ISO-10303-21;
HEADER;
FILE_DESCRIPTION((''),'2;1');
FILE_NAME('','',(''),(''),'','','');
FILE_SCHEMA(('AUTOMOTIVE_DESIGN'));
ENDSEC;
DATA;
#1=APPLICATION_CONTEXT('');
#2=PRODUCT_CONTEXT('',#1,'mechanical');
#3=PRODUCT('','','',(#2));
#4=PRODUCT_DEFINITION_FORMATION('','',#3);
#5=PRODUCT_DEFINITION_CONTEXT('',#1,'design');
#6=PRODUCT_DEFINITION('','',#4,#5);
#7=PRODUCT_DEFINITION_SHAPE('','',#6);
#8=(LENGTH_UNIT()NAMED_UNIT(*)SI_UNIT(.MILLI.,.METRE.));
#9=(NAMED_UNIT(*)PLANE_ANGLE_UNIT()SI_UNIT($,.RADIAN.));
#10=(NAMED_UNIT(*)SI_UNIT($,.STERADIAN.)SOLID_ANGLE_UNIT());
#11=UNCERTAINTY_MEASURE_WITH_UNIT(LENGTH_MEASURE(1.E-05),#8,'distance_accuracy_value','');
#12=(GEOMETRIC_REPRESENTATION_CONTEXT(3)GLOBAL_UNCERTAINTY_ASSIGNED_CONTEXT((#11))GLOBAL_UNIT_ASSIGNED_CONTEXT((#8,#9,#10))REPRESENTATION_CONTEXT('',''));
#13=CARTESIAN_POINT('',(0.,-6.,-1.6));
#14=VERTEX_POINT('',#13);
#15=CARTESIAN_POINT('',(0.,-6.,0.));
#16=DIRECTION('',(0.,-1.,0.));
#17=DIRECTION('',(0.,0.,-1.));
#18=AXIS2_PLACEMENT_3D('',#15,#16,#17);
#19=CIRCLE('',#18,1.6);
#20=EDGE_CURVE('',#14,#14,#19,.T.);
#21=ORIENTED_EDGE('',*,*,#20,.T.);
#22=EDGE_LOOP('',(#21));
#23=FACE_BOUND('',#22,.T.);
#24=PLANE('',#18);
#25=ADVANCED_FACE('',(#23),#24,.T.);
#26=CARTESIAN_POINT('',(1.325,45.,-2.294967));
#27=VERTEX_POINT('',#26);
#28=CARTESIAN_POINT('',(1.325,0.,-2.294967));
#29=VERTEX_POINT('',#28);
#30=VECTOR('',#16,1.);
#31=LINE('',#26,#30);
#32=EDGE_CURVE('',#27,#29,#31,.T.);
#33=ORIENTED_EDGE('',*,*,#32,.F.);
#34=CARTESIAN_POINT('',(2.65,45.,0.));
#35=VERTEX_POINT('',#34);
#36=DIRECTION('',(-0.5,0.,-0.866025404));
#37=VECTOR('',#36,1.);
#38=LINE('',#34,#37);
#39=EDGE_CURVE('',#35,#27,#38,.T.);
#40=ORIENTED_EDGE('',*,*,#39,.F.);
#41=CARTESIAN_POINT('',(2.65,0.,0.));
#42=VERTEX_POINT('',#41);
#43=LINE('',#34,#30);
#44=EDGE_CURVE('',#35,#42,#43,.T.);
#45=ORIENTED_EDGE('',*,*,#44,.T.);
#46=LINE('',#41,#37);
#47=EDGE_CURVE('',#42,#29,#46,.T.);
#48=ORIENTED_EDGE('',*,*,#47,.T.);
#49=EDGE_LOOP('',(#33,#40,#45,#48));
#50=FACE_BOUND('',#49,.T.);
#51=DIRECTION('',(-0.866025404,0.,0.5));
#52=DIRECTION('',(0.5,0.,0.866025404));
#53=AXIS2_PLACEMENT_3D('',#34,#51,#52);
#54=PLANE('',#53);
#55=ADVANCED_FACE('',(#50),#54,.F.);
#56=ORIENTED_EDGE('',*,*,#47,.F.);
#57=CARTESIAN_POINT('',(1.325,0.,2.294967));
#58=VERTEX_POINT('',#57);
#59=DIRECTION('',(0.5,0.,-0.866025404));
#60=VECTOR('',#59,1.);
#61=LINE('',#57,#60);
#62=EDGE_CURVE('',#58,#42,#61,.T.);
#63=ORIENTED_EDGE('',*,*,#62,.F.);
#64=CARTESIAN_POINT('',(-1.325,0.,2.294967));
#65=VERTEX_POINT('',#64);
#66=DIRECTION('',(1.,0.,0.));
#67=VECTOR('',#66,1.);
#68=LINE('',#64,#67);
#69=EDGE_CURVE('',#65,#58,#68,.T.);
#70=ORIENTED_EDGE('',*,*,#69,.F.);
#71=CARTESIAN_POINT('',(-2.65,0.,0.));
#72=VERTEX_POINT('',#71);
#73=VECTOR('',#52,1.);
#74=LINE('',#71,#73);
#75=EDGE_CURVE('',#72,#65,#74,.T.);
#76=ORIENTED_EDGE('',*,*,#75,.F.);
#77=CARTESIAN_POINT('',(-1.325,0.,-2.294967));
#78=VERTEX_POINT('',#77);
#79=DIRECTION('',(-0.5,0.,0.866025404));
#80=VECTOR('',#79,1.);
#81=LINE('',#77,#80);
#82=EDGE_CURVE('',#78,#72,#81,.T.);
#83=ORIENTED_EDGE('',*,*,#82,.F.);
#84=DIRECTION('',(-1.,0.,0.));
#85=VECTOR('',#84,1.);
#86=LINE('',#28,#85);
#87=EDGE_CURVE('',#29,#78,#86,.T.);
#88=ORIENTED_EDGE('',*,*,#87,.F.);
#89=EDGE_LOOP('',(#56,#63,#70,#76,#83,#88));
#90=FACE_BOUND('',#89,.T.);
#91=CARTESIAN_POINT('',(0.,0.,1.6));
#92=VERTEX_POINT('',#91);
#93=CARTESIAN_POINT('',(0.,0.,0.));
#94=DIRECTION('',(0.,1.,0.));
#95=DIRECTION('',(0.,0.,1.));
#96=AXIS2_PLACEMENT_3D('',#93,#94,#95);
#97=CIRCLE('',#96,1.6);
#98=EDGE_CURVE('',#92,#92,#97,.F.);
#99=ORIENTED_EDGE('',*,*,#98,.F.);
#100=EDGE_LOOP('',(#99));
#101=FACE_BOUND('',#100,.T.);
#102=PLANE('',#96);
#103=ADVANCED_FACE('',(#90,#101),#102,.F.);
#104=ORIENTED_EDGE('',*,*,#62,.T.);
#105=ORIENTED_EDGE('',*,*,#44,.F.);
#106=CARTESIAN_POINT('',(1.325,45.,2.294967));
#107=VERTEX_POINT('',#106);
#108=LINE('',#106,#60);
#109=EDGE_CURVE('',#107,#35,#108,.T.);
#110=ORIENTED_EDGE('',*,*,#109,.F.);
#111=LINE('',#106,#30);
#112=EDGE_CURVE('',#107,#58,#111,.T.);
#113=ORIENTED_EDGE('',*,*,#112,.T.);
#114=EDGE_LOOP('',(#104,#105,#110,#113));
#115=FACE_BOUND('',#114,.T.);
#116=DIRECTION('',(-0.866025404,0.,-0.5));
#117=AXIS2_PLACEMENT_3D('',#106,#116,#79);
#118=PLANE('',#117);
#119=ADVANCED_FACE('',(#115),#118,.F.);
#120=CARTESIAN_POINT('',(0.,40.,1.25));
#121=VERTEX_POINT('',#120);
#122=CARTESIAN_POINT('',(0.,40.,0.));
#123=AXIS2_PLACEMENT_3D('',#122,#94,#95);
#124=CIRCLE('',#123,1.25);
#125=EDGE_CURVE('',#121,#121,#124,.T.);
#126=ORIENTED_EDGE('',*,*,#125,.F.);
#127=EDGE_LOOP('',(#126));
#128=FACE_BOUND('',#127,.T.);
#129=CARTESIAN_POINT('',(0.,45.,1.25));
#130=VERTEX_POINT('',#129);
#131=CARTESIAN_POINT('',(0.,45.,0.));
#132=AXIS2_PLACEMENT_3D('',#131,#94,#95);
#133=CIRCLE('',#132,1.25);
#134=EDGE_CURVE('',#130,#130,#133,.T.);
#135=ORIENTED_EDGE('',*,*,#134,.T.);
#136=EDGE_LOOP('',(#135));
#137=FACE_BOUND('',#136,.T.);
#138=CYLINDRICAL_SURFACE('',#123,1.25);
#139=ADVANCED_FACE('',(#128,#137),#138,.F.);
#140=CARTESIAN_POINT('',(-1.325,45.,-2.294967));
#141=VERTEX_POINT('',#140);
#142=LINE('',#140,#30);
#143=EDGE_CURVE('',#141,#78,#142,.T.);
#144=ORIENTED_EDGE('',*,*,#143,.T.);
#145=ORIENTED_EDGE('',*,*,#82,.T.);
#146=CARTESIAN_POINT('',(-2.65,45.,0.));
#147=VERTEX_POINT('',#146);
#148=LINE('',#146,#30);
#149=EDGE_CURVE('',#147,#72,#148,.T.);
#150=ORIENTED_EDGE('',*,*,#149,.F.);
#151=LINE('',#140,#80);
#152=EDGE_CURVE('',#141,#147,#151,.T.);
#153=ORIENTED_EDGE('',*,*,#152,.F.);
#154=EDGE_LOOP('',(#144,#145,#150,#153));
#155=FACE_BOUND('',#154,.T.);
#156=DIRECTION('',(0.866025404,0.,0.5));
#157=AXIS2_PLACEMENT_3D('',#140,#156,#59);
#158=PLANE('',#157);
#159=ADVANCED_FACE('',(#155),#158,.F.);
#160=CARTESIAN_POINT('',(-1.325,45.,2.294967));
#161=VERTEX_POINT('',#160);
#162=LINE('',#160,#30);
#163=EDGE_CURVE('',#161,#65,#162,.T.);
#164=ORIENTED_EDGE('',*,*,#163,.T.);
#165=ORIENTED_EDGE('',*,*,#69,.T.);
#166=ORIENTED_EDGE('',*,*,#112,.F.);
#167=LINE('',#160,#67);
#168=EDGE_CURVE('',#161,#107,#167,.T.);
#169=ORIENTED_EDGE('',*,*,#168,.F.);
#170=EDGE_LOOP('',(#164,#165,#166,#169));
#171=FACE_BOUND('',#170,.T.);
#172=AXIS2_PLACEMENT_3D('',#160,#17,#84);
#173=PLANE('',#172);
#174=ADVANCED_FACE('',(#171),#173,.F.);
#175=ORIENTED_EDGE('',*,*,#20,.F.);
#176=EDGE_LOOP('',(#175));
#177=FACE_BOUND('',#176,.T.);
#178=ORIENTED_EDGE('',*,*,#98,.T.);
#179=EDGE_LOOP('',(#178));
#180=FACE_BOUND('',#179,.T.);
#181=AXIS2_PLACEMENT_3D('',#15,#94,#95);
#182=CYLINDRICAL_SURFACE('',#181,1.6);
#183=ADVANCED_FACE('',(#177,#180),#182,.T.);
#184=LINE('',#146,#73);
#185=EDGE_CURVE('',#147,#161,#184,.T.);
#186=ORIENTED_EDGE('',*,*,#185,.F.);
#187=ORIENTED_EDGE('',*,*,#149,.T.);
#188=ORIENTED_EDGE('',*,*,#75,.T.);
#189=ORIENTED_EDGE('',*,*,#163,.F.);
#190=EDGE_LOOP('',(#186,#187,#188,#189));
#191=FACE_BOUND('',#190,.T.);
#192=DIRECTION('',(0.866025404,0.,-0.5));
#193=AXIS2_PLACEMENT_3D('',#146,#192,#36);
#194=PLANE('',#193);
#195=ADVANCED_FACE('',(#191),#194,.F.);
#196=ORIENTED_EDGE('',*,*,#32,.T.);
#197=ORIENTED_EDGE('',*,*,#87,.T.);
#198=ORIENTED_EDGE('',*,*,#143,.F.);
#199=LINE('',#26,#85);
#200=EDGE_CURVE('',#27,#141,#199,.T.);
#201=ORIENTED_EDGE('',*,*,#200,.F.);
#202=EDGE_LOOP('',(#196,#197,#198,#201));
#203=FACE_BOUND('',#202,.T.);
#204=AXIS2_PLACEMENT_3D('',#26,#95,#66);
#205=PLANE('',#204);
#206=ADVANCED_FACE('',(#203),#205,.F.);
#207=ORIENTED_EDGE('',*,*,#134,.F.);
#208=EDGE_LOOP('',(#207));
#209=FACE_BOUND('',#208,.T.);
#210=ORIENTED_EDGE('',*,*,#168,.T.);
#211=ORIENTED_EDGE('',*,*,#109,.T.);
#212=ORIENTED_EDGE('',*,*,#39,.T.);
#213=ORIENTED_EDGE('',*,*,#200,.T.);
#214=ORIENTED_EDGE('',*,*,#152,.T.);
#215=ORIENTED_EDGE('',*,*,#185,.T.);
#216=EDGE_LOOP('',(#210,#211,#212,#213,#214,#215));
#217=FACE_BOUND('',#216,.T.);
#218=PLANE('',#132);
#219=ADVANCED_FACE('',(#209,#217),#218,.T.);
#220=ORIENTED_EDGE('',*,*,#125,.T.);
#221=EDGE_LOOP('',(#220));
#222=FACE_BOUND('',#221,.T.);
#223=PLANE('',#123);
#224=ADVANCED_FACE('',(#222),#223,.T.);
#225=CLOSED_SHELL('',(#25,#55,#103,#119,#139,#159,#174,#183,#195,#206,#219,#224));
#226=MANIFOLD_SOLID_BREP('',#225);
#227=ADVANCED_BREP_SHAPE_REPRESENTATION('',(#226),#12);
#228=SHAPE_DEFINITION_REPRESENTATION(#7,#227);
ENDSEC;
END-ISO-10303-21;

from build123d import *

# Parameters (mm, degrees)
EXTRUDE_1_DEPTH     = 45
SKETCH_6_R          = 1.6
EXTRUDE_2_DEPTH     = 6
SKETCH_7_R          = 1.25
CUT_EXTRUDE_1_DEPTH = 5


with BuildPart() as part:
    # 草图4 → 凸台-拉伸1 (new body)
    with BuildSketch(Plane(origin=(0, 0, 0), x_dir=(1, 0, 0), z_dir=(0, 1, 0))):
        Polygon((1.325, -2.29496732), (2.65, 0), (1.325, 2.29496732), (-1.325, 2.29496732), (-2.65, 0), (-1.325, -2.29496732), align=None)
    extrude(amount=EXTRUDE_1_DEPTH)

    # 草图6 → 凸台-拉伸2 (add)
    with BuildSketch(Plane(origin=(0, 0, 0), x_dir=(-1, 0, 0), z_dir=(0, -1, 0))):
        with Locations(Location((0, 0, 0), (0, 0, 270))):
            Circle(SKETCH_6_R)
    extrude(amount=EXTRUDE_2_DEPTH)

    # 草图7 → 切除-拉伸1 (cut)
    with BuildSketch(Plane(origin=(0, 45, 0), x_dir=(1, 0, 0), z_dir=(0, 1, 0))):
        with Locations(Location((0, 0, 0), (0, 0, 270))):
            Circle(SKETCH_7_R)
    extrude(amount=-CUT_EXTRUDE_1_DEPTH, mode=Mode.SUBTRACT)


solid = part.part
